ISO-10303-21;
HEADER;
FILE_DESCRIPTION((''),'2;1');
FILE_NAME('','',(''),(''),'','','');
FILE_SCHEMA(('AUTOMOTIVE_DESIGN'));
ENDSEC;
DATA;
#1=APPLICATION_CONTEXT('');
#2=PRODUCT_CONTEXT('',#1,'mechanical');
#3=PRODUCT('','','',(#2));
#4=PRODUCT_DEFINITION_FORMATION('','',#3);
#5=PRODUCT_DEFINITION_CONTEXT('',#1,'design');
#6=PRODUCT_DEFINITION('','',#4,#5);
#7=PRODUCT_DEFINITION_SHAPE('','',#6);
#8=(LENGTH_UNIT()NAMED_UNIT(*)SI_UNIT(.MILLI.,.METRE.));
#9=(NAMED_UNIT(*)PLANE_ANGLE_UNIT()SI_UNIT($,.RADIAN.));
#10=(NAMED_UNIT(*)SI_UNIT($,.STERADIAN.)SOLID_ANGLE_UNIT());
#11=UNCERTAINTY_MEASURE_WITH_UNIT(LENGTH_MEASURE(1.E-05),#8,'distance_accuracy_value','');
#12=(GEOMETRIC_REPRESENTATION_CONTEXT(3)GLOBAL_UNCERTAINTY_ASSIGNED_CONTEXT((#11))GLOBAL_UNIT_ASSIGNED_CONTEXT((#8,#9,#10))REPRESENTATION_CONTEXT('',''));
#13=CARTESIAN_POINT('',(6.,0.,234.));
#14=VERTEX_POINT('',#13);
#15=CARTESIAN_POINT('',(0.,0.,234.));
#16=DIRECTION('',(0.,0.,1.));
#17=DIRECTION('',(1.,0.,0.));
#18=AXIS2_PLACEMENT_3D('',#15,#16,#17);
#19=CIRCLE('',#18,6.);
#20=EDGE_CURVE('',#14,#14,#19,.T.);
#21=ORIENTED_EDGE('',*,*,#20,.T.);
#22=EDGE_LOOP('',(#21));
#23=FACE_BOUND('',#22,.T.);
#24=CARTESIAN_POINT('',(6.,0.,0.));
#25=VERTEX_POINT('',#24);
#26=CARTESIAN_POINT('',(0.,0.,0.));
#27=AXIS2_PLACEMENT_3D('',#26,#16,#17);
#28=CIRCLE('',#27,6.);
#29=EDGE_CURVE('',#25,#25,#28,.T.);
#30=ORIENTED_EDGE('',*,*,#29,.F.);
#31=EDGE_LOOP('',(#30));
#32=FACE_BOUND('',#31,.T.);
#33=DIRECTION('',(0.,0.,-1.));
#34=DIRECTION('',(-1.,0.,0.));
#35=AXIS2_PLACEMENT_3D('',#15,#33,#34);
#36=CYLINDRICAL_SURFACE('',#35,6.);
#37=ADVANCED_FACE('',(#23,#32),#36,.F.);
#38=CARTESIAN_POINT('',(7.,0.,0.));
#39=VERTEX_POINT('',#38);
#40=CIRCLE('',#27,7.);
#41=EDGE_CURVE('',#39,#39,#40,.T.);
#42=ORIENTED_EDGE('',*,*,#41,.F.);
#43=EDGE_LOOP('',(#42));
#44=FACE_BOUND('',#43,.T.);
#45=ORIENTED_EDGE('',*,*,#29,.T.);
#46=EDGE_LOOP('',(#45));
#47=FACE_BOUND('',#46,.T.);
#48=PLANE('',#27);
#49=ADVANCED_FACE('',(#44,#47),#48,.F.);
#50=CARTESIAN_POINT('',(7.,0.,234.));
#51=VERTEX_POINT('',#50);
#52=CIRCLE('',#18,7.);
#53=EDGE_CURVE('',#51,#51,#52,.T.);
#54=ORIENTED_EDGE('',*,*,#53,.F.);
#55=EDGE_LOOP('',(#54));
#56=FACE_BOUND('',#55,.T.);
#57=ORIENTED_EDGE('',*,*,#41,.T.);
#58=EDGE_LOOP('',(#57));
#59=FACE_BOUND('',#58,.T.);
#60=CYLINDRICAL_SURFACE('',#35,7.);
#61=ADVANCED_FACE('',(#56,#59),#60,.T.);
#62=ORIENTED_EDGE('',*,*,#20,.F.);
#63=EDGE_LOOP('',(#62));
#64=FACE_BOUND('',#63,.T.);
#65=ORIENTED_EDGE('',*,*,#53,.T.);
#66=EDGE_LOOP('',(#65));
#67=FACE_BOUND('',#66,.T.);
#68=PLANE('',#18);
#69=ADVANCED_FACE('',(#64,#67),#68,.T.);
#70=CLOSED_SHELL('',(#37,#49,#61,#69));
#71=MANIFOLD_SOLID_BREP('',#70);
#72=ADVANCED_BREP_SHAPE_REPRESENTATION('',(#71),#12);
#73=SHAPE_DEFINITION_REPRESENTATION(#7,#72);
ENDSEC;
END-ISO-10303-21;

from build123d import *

# Parameters (mm, degrees)
ARM_CROSS_SECTION_SKETCH_R   = 7
ARM_CROSS_SECTION_SKETCH_R_2 = 6
ARM_EXTRUDE_DEPTH            = 234


with BuildPart() as part:
    # Arm Cross-Section Sketch → Arm Extrude (new body)
    with BuildSketch(Plane.XY):
        Circle(ARM_CROSS_SECTION_SKETCH_R)
        Circle(ARM_CROSS_SECTION_SKETCH_R_2, mode=Mode.SUBTRACT)
    extrude(amount=ARM_EXTRUDE_DEPTH)


solid = part.part
